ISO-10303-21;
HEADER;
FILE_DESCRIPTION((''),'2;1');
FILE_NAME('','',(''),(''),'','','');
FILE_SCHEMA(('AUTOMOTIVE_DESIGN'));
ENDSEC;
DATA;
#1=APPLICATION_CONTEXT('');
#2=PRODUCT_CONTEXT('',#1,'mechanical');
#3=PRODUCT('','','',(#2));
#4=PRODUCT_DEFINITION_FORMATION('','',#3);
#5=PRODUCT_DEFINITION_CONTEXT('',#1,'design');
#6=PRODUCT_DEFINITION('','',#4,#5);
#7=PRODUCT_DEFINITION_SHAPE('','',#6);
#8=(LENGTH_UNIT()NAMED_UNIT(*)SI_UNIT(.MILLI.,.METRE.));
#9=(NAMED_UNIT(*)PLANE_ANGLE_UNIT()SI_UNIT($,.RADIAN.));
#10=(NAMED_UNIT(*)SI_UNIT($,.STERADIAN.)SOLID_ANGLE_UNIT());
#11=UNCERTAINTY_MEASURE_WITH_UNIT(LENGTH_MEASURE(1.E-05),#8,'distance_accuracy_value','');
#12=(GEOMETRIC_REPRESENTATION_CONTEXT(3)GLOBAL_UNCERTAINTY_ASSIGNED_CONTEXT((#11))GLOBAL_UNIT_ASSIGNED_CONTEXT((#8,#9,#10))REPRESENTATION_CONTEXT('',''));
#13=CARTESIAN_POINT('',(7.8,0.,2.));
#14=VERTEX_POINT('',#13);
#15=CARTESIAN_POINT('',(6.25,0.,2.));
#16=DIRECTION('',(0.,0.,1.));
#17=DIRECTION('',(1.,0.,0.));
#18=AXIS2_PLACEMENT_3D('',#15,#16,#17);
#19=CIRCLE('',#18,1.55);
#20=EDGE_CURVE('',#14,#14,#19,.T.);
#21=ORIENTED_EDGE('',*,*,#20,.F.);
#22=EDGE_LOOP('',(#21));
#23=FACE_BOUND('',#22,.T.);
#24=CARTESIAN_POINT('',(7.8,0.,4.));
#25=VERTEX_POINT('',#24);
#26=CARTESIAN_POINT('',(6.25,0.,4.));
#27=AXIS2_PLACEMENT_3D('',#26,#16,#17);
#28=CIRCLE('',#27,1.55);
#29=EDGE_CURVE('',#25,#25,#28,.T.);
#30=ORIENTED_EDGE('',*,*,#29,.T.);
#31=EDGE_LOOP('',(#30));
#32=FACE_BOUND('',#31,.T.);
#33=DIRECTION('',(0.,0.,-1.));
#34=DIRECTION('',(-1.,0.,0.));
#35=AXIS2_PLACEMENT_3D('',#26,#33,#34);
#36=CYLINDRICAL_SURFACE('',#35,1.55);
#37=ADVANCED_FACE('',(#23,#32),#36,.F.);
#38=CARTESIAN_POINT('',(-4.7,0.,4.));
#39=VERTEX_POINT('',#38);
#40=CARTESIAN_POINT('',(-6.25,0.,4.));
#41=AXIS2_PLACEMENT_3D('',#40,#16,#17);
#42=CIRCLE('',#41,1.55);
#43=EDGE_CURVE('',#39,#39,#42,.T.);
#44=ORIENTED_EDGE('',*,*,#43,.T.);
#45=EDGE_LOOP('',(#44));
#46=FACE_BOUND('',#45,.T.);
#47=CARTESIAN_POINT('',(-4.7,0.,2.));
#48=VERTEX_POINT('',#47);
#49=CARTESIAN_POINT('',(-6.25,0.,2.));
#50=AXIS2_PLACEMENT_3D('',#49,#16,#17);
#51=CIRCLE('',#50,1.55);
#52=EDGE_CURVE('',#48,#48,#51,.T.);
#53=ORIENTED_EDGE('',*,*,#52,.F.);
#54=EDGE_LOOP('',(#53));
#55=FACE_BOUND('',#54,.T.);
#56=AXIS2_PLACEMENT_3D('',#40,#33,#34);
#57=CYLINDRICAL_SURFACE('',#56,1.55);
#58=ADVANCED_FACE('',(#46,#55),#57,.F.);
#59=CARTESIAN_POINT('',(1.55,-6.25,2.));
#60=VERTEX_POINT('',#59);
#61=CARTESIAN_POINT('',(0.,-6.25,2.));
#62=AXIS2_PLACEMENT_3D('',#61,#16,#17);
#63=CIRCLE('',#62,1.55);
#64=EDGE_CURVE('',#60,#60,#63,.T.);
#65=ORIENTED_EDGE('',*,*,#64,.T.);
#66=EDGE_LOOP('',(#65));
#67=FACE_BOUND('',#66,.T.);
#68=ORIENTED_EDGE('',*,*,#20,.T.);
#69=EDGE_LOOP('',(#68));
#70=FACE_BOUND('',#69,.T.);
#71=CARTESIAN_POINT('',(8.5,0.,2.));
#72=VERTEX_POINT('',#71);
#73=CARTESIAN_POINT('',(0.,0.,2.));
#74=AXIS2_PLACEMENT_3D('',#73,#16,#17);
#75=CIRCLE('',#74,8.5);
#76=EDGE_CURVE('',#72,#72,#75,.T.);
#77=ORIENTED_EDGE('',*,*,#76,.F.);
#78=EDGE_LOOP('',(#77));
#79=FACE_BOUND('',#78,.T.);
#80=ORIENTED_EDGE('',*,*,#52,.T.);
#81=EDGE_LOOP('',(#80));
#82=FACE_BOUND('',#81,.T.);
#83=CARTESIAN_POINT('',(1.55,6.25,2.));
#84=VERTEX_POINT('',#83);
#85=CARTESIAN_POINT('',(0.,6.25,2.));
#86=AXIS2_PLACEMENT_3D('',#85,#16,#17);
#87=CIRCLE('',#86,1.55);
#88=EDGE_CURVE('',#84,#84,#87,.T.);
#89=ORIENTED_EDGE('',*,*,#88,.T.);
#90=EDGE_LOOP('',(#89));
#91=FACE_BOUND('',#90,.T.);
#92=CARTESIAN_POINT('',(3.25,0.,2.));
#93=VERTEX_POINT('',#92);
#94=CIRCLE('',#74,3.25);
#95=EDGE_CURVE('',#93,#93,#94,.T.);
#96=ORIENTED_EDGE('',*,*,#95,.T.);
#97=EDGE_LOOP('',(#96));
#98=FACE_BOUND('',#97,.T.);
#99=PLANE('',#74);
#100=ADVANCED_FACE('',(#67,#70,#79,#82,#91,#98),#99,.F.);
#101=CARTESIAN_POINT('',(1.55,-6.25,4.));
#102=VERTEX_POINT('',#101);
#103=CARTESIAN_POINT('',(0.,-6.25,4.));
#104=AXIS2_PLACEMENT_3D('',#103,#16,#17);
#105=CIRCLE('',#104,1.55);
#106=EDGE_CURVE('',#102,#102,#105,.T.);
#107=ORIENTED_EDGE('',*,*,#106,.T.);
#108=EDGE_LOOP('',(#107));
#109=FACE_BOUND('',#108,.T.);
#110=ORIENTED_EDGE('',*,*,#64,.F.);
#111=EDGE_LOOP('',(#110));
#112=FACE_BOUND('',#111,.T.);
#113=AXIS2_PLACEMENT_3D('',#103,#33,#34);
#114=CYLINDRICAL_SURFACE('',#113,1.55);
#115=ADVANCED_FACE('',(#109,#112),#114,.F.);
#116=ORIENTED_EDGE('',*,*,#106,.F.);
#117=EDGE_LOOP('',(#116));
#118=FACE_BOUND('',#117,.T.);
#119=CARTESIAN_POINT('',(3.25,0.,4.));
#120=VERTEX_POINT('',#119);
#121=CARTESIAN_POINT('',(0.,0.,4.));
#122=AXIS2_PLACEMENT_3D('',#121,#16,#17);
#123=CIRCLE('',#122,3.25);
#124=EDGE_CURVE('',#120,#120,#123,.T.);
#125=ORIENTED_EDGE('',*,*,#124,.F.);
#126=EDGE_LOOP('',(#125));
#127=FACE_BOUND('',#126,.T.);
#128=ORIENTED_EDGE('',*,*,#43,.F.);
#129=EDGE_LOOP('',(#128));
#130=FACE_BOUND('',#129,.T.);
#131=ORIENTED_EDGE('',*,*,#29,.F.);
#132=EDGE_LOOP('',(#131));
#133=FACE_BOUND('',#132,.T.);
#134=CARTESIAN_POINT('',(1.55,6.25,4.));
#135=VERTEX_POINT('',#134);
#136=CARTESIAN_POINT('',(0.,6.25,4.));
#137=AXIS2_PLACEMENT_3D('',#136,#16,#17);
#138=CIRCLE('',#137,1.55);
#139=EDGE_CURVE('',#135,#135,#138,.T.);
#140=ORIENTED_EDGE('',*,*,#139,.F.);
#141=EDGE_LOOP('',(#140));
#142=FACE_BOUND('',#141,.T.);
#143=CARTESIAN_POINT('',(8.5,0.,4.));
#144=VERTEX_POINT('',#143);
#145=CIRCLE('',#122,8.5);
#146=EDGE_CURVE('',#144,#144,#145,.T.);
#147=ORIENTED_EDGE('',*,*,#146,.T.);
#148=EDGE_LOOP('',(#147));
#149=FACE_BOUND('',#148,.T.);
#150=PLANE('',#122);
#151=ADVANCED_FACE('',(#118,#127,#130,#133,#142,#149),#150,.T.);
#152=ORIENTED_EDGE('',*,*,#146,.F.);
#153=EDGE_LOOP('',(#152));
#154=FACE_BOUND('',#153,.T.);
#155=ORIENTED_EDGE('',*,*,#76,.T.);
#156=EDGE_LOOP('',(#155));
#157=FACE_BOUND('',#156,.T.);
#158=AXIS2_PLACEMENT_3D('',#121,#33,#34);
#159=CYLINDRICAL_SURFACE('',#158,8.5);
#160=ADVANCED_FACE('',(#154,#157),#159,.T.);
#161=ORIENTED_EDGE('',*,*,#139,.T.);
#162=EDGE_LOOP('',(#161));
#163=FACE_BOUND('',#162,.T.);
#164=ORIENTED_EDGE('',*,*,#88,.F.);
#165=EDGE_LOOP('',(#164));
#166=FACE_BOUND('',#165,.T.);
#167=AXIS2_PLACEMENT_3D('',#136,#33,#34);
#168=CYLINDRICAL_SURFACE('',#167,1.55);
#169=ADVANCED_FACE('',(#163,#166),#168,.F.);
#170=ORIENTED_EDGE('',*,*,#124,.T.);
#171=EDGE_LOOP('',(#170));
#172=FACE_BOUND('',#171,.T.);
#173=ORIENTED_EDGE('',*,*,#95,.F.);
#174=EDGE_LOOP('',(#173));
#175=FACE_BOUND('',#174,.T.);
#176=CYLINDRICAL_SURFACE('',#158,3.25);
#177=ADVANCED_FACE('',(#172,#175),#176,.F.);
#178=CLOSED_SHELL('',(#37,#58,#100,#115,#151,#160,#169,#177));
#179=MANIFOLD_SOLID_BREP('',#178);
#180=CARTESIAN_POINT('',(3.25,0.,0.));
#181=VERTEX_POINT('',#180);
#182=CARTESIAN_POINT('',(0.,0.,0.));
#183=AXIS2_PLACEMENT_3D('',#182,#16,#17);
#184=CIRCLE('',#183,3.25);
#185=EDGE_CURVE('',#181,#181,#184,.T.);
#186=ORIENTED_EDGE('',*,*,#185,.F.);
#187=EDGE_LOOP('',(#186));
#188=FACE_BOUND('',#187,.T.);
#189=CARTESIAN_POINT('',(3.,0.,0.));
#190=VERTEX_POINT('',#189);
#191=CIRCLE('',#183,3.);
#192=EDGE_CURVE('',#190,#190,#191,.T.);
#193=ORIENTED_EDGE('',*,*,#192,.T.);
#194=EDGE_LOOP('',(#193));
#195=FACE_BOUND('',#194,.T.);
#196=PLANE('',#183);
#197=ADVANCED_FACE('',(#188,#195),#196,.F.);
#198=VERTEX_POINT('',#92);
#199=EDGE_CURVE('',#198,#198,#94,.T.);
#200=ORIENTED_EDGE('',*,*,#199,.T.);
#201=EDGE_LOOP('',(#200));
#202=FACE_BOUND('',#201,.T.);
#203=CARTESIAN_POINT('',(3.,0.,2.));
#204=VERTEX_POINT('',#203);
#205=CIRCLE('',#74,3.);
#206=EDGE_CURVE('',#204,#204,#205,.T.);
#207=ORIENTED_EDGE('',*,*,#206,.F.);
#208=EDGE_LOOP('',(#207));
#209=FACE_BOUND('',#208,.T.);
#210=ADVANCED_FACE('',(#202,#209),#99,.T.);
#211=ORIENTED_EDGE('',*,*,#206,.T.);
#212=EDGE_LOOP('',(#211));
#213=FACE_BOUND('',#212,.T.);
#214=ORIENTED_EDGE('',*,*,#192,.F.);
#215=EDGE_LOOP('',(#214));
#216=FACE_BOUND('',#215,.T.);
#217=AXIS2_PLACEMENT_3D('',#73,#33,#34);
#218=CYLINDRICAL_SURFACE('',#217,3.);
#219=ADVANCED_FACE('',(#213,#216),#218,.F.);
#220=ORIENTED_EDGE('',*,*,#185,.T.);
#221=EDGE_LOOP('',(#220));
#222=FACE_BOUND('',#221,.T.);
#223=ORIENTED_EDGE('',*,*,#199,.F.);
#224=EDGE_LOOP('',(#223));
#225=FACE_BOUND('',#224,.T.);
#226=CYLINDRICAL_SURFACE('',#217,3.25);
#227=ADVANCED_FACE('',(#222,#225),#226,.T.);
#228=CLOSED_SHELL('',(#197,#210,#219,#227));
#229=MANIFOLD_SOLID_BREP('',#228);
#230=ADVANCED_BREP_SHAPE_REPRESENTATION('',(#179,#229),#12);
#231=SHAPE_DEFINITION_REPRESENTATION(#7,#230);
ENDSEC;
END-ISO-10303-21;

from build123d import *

# Parameters (mm, degrees)
SKETCH_1_R      = 3.25
SKETCH_1_R_2    = 3
EXTRUDE_3_DEPTH = 2
SKETCH_3_R      = 8.5
SKETCH_3_R_2    = 1.55
SKETCH_3_R_3    = 3.25
EXTRUDE_4_DEPTH = 2


with BuildPart() as part:
    # 草图1 → 凸台-拉伸3 (new body)
    with BuildSketch(Plane.XY):
        Circle(SKETCH_1_R)
        Circle(SKETCH_1_R_2, mode=Mode.SUBTRACT)
    extrude(amount=EXTRUDE_3_DEPTH)


with BuildPart() as body_2:
    # 草图3 → 凸台-拉伸4 (new body)
    with BuildSketch(Plane.XY.offset(2)):
        Circle(SKETCH_3_R)
        with Locations((0, 6.25)):
            Circle(SKETCH_3_R_2, mode=Mode.SUBTRACT)
        with Locations((-6.25, 0)):
            Circle(SKETCH_3_R_2, mode=Mode.SUBTRACT)
        with Locations((0, -6.25)):
            Circle(SKETCH_3_R_2, mode=Mode.SUBTRACT)
        with Locations((6.25, 0)):
            Circle(SKETCH_3_R_2, mode=Mode.SUBTRACT)
        Circle(SKETCH_3_R_3, mode=Mode.SUBTRACT)
    extrude(amount=EXTRUDE_4_DEPTH)


solid = Compound([part.part, body_2.part])
